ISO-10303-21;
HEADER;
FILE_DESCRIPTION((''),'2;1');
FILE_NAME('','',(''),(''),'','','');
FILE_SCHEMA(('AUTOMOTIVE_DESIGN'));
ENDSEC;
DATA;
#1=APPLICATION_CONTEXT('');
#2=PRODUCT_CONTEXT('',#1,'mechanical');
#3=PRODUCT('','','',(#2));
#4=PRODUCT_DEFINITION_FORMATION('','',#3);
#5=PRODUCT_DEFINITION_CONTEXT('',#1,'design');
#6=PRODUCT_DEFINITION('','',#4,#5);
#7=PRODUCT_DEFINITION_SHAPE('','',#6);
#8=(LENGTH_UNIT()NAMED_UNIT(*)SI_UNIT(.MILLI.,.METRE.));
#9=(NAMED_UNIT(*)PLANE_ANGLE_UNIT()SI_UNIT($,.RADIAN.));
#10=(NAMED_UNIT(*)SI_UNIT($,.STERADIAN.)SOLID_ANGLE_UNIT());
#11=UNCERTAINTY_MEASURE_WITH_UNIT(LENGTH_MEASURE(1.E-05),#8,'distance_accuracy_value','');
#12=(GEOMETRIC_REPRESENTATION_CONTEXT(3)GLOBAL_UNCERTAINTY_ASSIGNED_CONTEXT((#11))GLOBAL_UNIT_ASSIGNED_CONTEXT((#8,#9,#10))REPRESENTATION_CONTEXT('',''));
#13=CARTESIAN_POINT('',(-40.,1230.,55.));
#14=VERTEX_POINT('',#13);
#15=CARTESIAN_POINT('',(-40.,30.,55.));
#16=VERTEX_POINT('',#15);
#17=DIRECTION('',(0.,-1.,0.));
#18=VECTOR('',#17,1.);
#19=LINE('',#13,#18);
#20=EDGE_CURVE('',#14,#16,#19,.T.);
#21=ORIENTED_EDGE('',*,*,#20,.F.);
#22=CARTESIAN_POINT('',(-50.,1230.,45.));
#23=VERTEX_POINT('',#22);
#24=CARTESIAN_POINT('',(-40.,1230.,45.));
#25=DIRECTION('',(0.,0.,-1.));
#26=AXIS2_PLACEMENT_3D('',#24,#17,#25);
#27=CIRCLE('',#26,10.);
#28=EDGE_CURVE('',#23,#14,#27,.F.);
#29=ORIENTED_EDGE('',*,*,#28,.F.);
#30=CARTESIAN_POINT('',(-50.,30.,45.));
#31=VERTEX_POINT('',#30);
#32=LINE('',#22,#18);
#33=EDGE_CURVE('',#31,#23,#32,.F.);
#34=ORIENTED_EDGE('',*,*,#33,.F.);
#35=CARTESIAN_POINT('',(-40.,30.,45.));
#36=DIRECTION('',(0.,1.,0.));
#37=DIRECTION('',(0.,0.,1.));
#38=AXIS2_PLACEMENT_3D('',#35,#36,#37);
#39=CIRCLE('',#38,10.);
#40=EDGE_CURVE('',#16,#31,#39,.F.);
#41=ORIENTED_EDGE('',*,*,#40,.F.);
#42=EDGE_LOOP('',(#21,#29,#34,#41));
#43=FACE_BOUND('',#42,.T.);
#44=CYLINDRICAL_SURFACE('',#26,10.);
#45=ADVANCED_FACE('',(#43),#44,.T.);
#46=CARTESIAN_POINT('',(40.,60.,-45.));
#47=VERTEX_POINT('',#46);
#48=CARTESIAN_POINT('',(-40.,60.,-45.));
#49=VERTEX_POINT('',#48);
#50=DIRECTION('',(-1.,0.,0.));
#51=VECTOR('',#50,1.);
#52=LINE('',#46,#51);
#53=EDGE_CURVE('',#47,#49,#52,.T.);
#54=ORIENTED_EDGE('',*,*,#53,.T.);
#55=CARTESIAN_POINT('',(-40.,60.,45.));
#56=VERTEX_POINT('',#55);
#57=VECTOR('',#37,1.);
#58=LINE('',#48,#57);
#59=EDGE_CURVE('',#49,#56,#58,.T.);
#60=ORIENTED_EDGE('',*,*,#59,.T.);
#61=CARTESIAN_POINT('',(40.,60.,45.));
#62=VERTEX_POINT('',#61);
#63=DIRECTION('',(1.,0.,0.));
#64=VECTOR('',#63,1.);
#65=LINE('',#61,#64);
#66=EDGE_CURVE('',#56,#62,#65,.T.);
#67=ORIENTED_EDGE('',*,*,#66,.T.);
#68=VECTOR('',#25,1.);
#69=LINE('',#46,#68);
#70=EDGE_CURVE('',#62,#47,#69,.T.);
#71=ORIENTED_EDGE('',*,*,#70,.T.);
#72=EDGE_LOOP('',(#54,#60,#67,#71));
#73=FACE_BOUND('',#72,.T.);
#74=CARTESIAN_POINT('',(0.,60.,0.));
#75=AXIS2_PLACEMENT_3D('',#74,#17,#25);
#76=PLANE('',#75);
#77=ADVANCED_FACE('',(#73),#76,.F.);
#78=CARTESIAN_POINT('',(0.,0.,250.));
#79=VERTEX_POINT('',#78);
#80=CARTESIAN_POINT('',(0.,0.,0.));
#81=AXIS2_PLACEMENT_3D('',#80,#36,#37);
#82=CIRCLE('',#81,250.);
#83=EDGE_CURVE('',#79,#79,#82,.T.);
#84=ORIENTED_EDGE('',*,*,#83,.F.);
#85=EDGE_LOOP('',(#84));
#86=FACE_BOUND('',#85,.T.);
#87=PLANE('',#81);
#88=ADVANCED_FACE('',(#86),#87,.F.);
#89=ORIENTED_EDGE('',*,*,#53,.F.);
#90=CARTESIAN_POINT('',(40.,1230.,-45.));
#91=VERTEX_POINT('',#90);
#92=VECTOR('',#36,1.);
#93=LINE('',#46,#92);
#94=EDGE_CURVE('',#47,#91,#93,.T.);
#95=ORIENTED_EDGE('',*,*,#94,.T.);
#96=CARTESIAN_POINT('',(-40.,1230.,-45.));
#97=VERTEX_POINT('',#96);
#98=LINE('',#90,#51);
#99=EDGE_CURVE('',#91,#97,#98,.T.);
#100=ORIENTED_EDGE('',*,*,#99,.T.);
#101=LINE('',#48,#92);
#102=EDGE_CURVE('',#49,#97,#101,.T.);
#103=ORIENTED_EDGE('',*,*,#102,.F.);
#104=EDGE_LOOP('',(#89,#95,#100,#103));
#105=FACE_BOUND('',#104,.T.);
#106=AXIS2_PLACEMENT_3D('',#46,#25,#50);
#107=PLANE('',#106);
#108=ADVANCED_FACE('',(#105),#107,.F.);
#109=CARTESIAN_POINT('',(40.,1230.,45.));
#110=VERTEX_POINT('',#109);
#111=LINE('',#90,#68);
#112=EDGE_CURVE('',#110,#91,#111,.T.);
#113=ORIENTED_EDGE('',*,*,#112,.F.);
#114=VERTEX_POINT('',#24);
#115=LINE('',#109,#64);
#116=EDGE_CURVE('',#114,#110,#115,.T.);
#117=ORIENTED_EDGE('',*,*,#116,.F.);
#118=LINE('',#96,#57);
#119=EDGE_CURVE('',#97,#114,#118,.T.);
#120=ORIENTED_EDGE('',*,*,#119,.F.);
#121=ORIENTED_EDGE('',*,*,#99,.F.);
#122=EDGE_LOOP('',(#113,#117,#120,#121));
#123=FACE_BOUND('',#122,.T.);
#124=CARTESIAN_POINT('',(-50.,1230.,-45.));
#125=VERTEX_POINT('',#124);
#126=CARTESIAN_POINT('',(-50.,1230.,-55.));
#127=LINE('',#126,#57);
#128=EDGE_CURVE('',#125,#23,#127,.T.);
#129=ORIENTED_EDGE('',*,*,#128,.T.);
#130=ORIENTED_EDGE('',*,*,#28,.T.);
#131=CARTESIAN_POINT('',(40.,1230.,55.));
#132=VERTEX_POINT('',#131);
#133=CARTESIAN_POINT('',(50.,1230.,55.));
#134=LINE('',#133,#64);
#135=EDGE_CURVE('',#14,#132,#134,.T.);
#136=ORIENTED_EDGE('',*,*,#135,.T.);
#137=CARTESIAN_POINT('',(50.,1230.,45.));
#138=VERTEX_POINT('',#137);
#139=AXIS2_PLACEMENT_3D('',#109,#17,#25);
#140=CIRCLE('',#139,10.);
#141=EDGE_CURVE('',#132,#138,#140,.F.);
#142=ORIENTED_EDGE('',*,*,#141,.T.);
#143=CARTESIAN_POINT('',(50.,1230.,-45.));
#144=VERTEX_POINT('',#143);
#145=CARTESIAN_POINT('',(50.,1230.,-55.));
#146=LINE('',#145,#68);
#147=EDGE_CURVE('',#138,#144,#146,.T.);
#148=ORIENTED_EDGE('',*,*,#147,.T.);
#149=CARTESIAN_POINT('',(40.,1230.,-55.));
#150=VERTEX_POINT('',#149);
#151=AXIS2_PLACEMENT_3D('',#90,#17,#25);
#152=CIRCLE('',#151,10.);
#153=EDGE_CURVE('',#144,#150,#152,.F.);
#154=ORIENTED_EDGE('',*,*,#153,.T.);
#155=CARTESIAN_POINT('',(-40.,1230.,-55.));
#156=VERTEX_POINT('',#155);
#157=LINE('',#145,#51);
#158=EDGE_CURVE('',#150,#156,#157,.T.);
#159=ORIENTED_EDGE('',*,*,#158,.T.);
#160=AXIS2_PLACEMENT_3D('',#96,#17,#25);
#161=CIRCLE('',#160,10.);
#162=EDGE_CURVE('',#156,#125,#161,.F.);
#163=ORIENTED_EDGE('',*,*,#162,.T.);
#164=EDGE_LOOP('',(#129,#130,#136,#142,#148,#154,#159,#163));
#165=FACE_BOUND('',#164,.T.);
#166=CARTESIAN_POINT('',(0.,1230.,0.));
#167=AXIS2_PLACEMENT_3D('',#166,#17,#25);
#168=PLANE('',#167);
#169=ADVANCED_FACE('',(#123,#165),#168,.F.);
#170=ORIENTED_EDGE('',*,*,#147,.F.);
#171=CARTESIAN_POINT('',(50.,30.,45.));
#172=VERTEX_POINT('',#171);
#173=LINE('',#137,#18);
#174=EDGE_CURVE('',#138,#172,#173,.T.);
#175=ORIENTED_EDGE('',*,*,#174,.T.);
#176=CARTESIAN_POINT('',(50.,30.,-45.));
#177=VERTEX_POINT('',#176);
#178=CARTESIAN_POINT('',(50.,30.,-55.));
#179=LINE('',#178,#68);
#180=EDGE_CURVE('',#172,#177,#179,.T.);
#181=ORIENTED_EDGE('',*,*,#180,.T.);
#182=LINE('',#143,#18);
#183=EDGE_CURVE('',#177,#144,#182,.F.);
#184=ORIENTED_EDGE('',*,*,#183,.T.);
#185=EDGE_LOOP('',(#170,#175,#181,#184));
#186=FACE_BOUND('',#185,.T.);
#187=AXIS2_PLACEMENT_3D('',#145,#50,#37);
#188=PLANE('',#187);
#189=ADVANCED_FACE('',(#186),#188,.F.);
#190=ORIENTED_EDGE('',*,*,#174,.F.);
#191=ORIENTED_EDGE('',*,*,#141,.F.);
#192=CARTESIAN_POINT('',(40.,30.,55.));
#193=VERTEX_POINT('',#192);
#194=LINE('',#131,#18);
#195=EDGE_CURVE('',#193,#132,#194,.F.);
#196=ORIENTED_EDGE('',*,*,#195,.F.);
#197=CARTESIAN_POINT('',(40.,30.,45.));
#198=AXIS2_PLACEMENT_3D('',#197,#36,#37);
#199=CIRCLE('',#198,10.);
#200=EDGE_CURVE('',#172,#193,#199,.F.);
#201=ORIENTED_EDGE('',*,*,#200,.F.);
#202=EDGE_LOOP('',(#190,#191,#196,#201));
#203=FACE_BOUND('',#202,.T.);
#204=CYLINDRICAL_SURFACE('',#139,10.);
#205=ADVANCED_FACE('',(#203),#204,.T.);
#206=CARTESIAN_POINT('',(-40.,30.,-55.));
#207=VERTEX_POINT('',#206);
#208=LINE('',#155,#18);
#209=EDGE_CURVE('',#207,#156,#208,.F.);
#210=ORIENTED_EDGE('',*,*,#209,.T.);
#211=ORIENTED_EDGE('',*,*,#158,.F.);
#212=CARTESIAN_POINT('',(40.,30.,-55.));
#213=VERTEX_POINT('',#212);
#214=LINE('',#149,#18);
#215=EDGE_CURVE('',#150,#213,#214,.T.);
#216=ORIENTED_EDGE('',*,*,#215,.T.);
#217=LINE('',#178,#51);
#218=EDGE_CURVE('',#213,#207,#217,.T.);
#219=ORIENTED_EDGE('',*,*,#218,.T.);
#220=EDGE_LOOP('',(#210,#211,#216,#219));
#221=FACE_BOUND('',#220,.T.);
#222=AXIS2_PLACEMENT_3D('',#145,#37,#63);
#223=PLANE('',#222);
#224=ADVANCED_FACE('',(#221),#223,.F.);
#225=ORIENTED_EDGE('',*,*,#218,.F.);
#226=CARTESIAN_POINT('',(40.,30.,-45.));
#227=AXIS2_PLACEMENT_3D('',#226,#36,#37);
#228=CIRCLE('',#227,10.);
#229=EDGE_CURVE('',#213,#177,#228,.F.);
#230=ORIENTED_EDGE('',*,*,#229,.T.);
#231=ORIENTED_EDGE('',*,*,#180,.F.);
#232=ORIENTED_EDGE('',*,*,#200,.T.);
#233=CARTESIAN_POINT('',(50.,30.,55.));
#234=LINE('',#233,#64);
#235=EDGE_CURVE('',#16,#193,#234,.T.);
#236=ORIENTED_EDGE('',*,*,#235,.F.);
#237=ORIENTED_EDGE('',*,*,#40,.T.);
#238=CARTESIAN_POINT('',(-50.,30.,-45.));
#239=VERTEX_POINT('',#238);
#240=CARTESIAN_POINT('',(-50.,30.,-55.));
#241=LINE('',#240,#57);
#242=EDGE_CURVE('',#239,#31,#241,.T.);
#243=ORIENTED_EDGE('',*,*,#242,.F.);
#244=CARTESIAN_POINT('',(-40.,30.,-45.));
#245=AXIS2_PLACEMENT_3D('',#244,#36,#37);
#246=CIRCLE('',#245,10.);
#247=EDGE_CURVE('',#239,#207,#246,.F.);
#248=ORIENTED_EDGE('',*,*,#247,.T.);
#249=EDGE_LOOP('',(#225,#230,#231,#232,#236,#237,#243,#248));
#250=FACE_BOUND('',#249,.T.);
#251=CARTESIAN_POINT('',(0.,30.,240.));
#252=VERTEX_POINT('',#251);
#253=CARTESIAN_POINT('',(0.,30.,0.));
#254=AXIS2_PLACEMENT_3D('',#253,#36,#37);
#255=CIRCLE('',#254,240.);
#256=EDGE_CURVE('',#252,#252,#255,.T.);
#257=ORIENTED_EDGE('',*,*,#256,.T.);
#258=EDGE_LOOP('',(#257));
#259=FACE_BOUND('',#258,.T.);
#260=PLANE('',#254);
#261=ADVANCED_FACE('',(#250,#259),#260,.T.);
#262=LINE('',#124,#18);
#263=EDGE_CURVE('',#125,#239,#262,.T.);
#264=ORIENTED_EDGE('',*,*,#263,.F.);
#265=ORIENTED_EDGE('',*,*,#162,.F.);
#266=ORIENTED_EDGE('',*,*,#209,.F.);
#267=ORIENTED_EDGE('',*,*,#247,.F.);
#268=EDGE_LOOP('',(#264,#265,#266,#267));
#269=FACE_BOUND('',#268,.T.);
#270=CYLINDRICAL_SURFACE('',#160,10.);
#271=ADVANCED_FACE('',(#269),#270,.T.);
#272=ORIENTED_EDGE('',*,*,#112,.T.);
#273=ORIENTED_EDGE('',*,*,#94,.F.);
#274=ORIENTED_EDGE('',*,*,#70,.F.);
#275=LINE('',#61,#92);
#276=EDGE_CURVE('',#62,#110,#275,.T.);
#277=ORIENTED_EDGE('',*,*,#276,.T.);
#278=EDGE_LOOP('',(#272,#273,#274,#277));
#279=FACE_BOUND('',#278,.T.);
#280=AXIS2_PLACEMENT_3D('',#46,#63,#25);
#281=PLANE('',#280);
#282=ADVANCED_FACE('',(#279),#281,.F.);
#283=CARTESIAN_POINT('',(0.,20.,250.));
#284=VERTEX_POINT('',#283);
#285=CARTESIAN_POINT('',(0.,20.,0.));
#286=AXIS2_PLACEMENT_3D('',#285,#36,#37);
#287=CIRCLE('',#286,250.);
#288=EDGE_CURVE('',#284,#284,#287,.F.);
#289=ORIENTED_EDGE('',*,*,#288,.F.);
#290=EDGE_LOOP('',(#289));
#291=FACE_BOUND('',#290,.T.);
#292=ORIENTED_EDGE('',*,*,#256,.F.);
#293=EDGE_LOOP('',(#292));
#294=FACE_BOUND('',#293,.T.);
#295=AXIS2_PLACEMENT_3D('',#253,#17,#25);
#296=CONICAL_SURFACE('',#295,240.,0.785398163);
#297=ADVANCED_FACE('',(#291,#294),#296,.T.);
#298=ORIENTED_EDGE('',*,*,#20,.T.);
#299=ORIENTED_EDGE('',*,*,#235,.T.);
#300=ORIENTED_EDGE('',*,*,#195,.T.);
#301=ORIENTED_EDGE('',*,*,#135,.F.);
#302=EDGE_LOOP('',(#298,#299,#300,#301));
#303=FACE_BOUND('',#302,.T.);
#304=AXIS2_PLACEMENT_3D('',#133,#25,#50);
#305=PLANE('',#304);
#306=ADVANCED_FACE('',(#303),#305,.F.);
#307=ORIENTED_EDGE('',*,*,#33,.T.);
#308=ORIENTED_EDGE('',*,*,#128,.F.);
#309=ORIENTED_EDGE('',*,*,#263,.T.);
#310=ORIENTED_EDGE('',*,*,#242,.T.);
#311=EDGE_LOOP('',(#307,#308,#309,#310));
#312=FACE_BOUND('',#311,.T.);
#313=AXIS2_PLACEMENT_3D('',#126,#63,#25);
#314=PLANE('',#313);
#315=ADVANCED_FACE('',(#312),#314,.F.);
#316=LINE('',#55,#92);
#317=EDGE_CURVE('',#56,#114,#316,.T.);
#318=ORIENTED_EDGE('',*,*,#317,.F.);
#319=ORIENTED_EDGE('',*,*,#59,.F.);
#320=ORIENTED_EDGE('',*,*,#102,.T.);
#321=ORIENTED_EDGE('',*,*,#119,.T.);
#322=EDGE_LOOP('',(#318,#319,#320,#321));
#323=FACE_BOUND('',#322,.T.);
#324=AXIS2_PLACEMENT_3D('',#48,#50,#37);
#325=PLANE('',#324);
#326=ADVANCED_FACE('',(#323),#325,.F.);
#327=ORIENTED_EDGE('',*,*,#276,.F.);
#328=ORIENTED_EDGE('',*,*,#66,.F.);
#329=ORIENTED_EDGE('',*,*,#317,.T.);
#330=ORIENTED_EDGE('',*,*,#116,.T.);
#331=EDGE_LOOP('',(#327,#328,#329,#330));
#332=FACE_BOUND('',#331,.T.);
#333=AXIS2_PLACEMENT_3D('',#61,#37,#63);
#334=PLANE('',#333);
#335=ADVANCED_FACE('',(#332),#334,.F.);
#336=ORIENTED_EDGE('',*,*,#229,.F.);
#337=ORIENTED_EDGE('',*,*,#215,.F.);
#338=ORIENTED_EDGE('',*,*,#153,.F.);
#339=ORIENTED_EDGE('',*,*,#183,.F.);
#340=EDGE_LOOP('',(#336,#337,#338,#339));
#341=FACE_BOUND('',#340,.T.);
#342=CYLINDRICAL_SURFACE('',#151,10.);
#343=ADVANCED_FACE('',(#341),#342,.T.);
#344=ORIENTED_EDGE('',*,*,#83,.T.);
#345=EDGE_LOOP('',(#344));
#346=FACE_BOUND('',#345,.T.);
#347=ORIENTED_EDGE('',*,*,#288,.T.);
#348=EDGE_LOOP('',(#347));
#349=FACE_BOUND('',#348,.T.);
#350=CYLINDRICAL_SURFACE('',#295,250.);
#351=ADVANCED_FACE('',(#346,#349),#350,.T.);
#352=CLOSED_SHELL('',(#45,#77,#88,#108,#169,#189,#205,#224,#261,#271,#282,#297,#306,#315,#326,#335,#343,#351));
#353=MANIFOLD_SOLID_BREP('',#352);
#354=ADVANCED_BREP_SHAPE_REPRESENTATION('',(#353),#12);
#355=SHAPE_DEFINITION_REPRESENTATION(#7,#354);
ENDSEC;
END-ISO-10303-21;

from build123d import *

# Parameters (mm, degrees)
SKETCH1_R           = 250
BOSS_EXTRUDE1_DEPTH = 30
SKETCH2_W           = 100
SKETCH2_H           = 110
BOSS_EXTRUDE2_DEPTH = 1200
CHAMFER1_SIZE       = 10
FILLET1_R           = 10
SKETCH3_W           = 80
SKETCH3_H           = 90
CUT_EXTRUDE1_DEPTH  = 1170


with BuildPart() as part:
    # Sketch1 → Boss-Extrude1 (new body)
    with BuildSketch(Plane(origin=(0, 0, 0), x_dir=(1, 0, 0), z_dir=(0, 1, 0))):
        with Locations(Location((0, 0, 0), (0, 0, 270))):
            Circle(SKETCH1_R)
    extrude(amount=BOSS_EXTRUDE1_DEPTH)

    # Sketch2 → Boss-Extrude2 (add)
    with BuildSketch(Plane(origin=(0, 30, 0), x_dir=(1, 0, 0), z_dir=(0, 1, 0))):
        Rectangle(SKETCH2_W, SKETCH2_H)
    extrude(amount=BOSS_EXTRUDE2_DEPTH)

    # Chamfer1
    chamfer1_edges = [part.edges().sort_by_distance(p)[0] for p in [
        (0, 30, -250),
    ]]
    chamfer(chamfer1_edges, length=CHAMFER1_SIZE)

    # Fillet1
    fillet1_edges = [part.edges().sort_by_distance(p)[0] for p in [
        (-50, 630, -55),
        (-50, 630, 55),
        (50, 630, 55),
        (50, 630, -55),
    ]]
    fillet(fillet1_edges, radius=FILLET1_R)

    # Sketch3 → Cut-Extrude1 (cut)
    with BuildSketch(Plane(origin=(0, 1230, 0), x_dir=(1, 0, 0), z_dir=(0, 1, 0))):
        Rectangle(SKETCH3_W, SKETCH3_H)
    extrude(amount=-CUT_EXTRUDE1_DEPTH, mode=Mode.SUBTRACT)


solid = part.part
